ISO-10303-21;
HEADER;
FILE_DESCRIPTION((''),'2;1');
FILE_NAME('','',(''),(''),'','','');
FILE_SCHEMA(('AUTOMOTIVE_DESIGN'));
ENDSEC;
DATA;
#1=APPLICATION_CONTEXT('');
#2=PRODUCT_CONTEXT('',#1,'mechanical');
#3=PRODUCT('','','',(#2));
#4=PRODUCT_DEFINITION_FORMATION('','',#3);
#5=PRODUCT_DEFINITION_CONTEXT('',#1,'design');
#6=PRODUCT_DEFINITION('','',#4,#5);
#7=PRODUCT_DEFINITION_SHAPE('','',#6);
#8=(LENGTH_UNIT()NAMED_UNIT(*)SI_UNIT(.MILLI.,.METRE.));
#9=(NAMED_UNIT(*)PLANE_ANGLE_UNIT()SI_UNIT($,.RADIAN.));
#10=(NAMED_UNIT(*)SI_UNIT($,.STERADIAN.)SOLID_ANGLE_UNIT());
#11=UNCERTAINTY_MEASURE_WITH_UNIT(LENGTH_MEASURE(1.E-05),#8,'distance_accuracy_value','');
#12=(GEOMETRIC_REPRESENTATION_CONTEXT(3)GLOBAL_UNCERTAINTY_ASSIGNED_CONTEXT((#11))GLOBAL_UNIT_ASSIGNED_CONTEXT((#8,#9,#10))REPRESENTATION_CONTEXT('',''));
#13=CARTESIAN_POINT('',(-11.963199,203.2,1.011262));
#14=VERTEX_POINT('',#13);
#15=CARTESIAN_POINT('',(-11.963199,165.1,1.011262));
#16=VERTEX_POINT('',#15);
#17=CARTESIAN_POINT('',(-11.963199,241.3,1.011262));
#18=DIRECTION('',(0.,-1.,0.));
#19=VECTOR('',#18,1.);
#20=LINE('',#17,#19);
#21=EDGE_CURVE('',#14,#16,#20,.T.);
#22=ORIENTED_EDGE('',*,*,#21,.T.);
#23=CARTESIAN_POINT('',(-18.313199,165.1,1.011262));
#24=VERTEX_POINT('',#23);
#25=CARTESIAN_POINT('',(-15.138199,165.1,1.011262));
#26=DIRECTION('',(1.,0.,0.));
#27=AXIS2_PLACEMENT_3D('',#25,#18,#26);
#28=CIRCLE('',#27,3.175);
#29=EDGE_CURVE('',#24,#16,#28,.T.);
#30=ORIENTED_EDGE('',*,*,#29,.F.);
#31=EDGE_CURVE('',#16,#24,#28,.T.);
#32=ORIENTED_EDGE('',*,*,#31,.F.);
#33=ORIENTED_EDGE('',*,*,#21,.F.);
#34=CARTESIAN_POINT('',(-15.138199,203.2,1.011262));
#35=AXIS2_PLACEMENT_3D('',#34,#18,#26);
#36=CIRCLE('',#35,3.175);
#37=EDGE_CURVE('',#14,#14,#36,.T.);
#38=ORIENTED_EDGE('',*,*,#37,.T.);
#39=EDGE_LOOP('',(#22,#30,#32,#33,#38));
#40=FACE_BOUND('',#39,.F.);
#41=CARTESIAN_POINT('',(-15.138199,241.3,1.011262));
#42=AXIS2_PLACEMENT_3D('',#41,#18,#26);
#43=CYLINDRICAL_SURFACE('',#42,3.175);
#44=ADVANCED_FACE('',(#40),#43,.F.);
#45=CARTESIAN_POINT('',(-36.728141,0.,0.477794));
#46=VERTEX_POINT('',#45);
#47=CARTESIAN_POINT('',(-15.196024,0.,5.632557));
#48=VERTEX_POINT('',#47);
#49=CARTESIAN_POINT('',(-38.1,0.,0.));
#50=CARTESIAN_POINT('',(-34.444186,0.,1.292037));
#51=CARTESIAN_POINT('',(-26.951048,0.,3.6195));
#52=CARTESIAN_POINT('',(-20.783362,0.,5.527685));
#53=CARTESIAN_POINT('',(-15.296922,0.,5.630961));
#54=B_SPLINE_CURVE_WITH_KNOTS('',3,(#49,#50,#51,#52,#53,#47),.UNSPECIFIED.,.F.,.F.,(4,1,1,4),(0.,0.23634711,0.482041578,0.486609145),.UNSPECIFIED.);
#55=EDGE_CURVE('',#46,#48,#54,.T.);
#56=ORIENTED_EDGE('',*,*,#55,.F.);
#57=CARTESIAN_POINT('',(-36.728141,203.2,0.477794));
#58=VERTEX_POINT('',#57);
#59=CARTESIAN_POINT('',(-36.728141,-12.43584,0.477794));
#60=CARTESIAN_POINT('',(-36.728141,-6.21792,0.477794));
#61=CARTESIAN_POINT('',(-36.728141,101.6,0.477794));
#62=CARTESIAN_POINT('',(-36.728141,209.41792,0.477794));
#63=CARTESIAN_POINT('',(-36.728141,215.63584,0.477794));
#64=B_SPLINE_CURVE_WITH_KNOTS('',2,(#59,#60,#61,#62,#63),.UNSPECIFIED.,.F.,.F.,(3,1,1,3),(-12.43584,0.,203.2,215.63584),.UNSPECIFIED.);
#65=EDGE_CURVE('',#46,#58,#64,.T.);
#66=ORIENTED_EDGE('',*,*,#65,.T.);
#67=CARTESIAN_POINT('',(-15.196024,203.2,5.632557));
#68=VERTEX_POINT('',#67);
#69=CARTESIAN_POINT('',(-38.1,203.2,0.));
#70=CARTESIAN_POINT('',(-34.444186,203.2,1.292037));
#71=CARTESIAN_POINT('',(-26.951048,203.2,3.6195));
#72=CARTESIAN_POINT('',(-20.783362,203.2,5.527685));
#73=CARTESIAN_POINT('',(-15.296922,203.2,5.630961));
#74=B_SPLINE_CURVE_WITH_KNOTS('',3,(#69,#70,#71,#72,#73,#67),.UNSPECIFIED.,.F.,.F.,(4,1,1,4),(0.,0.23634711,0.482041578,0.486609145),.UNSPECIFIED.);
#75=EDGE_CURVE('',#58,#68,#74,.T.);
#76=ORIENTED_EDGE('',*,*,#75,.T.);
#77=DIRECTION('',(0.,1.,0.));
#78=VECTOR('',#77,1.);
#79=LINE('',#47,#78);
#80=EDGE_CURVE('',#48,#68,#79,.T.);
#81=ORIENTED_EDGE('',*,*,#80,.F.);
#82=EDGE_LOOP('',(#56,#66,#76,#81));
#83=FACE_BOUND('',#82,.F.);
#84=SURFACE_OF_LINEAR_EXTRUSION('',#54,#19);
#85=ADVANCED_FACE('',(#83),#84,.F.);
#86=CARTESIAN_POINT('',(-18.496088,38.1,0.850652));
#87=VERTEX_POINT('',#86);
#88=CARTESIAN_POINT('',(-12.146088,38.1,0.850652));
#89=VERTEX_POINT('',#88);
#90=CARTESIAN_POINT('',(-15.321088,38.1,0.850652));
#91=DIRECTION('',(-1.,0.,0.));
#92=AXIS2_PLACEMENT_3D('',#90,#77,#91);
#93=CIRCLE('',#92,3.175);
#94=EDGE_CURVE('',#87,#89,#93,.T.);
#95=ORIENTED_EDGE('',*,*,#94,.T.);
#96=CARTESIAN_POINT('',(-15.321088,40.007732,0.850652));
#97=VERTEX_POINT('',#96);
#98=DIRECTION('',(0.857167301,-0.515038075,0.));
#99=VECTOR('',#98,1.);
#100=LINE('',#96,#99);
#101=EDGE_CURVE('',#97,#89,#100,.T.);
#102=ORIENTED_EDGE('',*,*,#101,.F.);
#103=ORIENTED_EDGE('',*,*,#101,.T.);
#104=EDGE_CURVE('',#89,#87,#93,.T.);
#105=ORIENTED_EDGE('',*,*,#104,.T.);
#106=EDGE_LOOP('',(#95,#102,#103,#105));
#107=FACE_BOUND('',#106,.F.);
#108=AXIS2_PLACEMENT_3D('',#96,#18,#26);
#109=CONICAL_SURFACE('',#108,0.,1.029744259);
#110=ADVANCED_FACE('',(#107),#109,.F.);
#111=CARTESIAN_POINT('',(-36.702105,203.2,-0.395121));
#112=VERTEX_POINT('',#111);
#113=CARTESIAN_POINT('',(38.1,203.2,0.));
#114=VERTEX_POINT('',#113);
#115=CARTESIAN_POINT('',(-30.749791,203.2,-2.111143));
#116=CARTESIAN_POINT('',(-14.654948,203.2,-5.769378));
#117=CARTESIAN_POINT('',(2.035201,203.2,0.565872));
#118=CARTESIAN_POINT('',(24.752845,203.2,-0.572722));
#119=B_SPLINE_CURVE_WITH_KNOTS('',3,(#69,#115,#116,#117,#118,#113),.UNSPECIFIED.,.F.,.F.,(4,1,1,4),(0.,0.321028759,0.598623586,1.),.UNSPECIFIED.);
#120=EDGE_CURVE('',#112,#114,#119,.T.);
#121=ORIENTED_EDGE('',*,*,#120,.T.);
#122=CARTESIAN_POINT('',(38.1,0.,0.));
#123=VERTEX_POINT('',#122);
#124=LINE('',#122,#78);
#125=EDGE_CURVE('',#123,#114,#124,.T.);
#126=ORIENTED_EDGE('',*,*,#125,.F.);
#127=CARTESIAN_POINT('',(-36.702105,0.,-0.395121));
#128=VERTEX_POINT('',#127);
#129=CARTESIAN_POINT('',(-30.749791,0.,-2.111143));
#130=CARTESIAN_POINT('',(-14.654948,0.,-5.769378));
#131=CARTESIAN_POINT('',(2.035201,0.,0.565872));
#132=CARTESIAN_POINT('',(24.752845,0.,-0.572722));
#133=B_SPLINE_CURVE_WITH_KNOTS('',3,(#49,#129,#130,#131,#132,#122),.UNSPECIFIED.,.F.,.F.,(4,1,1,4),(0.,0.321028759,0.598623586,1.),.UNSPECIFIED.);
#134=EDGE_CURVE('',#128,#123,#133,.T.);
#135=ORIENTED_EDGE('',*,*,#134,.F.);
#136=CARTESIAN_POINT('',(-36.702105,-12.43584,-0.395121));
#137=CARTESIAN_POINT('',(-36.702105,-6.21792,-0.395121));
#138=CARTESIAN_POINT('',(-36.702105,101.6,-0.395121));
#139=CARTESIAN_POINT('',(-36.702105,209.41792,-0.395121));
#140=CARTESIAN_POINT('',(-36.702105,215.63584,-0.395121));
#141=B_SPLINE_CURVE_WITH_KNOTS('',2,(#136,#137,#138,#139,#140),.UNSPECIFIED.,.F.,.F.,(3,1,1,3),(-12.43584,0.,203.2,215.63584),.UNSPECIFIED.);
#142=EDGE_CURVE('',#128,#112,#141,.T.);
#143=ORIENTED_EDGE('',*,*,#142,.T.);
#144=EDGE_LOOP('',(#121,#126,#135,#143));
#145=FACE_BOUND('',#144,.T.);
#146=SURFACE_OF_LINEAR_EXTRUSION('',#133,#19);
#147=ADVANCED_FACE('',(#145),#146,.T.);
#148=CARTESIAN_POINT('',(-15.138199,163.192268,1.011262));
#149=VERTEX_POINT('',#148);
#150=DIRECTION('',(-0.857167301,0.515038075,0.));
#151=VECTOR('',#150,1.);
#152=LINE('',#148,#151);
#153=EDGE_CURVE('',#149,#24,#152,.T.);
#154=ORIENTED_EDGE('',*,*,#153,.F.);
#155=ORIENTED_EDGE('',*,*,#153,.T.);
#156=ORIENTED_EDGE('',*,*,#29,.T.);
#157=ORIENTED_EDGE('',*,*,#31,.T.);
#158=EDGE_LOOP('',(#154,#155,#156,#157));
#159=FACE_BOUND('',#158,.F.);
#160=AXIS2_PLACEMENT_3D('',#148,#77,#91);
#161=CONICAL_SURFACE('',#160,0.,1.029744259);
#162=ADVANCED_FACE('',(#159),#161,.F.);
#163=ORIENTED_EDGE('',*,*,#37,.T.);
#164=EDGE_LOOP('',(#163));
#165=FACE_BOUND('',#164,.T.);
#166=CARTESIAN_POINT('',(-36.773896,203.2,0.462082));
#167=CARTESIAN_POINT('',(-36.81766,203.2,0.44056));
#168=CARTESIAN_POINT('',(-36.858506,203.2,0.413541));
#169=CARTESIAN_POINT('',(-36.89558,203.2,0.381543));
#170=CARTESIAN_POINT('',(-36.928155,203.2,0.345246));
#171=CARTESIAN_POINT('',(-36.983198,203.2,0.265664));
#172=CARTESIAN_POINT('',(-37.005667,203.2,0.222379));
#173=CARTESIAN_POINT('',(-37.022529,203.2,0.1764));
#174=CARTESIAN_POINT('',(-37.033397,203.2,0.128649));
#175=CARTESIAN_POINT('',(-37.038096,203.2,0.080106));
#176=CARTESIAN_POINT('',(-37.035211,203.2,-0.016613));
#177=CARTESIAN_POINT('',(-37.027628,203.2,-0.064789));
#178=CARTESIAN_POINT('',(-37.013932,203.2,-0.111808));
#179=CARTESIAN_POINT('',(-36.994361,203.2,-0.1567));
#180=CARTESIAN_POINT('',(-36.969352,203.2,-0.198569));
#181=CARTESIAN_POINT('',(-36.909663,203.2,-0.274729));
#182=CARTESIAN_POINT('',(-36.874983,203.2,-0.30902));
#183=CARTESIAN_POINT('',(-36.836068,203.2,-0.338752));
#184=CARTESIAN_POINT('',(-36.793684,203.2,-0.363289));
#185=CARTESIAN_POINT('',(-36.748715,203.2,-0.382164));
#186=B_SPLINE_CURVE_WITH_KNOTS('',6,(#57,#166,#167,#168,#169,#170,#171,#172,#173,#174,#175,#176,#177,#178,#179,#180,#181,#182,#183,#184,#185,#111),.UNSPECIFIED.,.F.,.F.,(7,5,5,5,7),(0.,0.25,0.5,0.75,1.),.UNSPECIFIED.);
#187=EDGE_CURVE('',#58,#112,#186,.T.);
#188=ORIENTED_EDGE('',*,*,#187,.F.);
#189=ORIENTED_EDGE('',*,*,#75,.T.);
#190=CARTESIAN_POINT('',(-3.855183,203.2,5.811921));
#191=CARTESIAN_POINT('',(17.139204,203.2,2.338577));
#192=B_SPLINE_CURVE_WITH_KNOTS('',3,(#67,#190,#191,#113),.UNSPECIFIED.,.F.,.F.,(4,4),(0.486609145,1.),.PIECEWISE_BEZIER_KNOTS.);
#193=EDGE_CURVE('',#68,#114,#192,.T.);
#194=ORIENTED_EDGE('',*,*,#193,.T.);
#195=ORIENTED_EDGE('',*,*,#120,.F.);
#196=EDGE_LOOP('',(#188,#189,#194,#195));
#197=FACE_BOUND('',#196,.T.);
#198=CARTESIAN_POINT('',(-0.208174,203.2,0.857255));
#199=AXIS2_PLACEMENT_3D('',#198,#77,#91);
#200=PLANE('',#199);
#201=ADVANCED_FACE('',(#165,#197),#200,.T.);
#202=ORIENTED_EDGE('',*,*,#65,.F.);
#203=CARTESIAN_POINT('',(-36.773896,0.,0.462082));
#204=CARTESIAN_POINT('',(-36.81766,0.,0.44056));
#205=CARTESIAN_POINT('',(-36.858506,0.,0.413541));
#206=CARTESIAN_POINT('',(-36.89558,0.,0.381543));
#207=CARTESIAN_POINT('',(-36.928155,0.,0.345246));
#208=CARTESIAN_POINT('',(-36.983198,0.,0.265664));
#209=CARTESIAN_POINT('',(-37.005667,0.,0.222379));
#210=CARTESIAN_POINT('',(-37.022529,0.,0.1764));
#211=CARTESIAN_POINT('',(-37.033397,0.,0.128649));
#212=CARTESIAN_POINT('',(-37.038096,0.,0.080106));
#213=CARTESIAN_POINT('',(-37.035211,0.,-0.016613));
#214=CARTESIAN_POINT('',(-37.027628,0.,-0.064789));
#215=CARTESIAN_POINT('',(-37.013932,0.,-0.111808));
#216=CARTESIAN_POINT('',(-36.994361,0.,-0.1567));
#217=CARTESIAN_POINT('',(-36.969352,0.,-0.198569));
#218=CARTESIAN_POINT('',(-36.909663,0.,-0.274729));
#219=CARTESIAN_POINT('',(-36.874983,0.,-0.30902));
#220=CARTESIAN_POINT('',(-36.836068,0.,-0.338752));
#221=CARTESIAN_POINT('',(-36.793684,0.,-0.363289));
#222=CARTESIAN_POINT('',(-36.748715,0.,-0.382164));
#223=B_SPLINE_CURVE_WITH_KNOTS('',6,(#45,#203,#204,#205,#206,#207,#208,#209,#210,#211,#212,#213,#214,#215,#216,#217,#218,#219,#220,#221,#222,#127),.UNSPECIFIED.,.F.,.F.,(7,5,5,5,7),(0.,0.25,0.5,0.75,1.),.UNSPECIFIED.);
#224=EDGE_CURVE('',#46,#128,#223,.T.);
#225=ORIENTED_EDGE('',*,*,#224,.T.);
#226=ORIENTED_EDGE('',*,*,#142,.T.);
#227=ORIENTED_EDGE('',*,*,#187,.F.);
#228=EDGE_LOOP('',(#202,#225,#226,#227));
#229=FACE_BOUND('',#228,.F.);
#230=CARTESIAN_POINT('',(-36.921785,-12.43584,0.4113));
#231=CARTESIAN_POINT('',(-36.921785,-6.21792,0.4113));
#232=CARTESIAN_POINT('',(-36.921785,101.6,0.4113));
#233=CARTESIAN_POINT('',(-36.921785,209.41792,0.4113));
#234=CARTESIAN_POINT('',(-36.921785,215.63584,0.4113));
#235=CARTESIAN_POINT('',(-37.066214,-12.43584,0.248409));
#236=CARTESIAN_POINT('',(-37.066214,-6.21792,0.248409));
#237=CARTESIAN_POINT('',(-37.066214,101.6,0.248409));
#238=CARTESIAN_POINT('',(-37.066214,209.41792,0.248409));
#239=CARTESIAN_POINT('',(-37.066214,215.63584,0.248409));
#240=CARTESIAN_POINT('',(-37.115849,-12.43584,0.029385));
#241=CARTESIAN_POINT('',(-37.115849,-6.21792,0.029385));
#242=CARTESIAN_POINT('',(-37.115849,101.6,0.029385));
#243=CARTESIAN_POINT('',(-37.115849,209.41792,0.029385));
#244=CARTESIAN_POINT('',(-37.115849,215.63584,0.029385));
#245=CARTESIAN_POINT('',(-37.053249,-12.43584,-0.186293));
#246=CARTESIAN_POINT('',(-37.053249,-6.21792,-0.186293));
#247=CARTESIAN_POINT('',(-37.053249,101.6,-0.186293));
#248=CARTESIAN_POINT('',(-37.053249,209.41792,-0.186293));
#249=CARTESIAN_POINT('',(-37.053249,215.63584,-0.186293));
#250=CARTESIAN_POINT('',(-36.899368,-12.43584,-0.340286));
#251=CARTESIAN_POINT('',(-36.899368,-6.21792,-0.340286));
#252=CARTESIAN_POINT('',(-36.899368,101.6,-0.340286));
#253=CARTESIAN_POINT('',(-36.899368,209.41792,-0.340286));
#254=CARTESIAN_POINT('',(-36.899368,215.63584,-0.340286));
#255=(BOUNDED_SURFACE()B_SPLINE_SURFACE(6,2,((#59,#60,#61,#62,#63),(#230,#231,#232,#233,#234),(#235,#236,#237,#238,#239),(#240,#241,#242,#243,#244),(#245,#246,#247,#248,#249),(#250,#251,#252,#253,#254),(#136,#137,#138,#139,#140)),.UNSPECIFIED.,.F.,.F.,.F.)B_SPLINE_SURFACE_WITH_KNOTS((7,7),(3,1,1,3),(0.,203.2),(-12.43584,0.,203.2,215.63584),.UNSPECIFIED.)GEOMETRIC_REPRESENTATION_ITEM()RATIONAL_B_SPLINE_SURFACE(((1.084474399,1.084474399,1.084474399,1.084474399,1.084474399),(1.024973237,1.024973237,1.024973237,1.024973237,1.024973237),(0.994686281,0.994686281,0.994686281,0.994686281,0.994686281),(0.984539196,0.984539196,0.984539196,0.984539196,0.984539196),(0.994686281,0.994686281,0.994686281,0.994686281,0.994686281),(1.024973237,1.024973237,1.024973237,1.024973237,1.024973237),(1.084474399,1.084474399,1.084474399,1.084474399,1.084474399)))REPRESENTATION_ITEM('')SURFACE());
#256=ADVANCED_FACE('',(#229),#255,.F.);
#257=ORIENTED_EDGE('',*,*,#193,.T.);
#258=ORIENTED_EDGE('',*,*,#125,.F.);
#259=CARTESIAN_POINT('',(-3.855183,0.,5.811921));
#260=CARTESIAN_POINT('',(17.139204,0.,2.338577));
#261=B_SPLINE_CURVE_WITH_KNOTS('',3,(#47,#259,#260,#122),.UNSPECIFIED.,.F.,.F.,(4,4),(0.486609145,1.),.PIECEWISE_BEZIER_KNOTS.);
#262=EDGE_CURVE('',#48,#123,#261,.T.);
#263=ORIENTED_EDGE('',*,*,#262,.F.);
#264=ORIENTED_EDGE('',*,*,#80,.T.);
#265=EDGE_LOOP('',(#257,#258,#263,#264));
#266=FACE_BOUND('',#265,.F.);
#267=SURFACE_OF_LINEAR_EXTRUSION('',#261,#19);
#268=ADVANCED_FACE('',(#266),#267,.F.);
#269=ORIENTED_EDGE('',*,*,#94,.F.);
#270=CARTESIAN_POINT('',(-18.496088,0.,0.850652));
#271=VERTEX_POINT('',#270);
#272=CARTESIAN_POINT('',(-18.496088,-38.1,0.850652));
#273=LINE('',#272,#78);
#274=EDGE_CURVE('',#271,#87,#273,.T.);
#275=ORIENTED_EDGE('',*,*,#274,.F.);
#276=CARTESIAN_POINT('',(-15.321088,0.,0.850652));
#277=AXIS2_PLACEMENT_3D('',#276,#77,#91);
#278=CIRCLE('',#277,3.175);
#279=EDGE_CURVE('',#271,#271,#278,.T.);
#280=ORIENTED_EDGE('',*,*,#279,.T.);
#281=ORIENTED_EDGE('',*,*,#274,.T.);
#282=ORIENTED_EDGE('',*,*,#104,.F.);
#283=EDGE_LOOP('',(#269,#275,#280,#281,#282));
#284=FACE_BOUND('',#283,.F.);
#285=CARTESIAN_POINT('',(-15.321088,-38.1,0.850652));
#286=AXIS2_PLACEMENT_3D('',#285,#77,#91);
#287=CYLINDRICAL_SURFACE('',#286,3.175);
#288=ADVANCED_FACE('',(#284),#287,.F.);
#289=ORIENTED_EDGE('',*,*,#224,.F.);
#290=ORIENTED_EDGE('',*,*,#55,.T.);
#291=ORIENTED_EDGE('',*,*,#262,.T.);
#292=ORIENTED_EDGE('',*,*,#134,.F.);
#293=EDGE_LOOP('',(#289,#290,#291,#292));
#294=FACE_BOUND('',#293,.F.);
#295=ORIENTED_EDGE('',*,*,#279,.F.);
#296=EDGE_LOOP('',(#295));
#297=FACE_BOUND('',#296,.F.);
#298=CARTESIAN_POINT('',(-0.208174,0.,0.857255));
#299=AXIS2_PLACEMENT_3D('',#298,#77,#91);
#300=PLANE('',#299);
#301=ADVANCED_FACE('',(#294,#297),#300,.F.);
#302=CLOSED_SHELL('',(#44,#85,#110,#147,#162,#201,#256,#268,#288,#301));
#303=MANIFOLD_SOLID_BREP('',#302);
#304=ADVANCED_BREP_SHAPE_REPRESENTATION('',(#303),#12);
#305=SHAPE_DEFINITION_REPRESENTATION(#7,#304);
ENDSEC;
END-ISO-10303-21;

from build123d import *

# Parameters (mm, degrees)
F1_DEPTH = 203.2
F2_R     = 0.4572
F4_D     = 6.35
F4_DEPTH = 38.1
F4_TIP   = 1.9077324654
F6_D     = 6.35
F6_DEPTH = 38.1
F6_TIP   = 1.9077324654


with BuildPart() as f1:
    # F0 (on Front) → F1 (new body)
    with BuildSketch(Plane.XZ):
        with BuildLine():
            add(Edge.make_bspline(
                [(-38.1, 0), (-34.4441864827, 1.2920368177), (-26.95104764, 3.6195004694), (-20.7833617632, 5.5276849917), (-15.2969222444, 5.630961033), (-15.1960243732, 5.6325568112)],
                knots=[0, 0, 0, 0, 0.2363471103, 0.4820415784, 0.4866091448, 0.4866091448, 0.4866091448, 0.4866091448], degree=3))
            add(Edge.make_bspline(
                [(-38.1, 0), (-30.7497908276, -2.1111429684), (-14.6549478088, -5.7693781378), (2.035200574, 0.5658720515), (24.7528447254, -0.5727221795), (38.1, 0)],
                knots=[0, 0, 0, 0, 0.3210287592, 0.5986235858, 1, 1, 1, 1], degree=3))
            add(Edge.make_bspline(
                [(-15.1960243732, 5.6325568112), (-3.8551833656, 5.8119210215), (17.1392039574, 2.3385772884), (38.1, 0)],
                knots=[0.4866091448, 0.4866091448, 0.4866091448, 0.4866091448, 1, 1, 1, 1], degree=3))
        make_face()
    extrude(amount=-F1_DEPTH)

    # F2
    f2_edges = [f1.edges().sort_by_distance(p)[0] for p in [
        (-38.1, 101.6, 0),
    ]]
    fillet(f2_edges, radius=F2_R)

    # F4
    with Locations(Plane(origin=(0, 203.2, 0), x_dir=(-1, 0, 0), z_dir=(0, 1, 0))):
        with Locations((15.1381986216, 1.0112618329)):
            Hole(F4_D / 2, depth=F4_DEPTH)
            with Locations((0, 0, -(F4_DEPTH + F4_TIP / 2))):  # 118° drill point
                Cone(0, F4_D / 2, F4_TIP, mode=Mode.SUBTRACT)

    # F6
    with Locations(Plane.XZ):
        with Locations((-15.3210880235, 0.8506519371)):
            Hole(F6_D / 2, depth=F6_DEPTH)
            with Locations((0, 0, -(F6_DEPTH + F6_TIP / 2))):  # 118° drill point
                Cone(0, F6_D / 2, F6_TIP, mode=Mode.SUBTRACT)


solid = f1.part
